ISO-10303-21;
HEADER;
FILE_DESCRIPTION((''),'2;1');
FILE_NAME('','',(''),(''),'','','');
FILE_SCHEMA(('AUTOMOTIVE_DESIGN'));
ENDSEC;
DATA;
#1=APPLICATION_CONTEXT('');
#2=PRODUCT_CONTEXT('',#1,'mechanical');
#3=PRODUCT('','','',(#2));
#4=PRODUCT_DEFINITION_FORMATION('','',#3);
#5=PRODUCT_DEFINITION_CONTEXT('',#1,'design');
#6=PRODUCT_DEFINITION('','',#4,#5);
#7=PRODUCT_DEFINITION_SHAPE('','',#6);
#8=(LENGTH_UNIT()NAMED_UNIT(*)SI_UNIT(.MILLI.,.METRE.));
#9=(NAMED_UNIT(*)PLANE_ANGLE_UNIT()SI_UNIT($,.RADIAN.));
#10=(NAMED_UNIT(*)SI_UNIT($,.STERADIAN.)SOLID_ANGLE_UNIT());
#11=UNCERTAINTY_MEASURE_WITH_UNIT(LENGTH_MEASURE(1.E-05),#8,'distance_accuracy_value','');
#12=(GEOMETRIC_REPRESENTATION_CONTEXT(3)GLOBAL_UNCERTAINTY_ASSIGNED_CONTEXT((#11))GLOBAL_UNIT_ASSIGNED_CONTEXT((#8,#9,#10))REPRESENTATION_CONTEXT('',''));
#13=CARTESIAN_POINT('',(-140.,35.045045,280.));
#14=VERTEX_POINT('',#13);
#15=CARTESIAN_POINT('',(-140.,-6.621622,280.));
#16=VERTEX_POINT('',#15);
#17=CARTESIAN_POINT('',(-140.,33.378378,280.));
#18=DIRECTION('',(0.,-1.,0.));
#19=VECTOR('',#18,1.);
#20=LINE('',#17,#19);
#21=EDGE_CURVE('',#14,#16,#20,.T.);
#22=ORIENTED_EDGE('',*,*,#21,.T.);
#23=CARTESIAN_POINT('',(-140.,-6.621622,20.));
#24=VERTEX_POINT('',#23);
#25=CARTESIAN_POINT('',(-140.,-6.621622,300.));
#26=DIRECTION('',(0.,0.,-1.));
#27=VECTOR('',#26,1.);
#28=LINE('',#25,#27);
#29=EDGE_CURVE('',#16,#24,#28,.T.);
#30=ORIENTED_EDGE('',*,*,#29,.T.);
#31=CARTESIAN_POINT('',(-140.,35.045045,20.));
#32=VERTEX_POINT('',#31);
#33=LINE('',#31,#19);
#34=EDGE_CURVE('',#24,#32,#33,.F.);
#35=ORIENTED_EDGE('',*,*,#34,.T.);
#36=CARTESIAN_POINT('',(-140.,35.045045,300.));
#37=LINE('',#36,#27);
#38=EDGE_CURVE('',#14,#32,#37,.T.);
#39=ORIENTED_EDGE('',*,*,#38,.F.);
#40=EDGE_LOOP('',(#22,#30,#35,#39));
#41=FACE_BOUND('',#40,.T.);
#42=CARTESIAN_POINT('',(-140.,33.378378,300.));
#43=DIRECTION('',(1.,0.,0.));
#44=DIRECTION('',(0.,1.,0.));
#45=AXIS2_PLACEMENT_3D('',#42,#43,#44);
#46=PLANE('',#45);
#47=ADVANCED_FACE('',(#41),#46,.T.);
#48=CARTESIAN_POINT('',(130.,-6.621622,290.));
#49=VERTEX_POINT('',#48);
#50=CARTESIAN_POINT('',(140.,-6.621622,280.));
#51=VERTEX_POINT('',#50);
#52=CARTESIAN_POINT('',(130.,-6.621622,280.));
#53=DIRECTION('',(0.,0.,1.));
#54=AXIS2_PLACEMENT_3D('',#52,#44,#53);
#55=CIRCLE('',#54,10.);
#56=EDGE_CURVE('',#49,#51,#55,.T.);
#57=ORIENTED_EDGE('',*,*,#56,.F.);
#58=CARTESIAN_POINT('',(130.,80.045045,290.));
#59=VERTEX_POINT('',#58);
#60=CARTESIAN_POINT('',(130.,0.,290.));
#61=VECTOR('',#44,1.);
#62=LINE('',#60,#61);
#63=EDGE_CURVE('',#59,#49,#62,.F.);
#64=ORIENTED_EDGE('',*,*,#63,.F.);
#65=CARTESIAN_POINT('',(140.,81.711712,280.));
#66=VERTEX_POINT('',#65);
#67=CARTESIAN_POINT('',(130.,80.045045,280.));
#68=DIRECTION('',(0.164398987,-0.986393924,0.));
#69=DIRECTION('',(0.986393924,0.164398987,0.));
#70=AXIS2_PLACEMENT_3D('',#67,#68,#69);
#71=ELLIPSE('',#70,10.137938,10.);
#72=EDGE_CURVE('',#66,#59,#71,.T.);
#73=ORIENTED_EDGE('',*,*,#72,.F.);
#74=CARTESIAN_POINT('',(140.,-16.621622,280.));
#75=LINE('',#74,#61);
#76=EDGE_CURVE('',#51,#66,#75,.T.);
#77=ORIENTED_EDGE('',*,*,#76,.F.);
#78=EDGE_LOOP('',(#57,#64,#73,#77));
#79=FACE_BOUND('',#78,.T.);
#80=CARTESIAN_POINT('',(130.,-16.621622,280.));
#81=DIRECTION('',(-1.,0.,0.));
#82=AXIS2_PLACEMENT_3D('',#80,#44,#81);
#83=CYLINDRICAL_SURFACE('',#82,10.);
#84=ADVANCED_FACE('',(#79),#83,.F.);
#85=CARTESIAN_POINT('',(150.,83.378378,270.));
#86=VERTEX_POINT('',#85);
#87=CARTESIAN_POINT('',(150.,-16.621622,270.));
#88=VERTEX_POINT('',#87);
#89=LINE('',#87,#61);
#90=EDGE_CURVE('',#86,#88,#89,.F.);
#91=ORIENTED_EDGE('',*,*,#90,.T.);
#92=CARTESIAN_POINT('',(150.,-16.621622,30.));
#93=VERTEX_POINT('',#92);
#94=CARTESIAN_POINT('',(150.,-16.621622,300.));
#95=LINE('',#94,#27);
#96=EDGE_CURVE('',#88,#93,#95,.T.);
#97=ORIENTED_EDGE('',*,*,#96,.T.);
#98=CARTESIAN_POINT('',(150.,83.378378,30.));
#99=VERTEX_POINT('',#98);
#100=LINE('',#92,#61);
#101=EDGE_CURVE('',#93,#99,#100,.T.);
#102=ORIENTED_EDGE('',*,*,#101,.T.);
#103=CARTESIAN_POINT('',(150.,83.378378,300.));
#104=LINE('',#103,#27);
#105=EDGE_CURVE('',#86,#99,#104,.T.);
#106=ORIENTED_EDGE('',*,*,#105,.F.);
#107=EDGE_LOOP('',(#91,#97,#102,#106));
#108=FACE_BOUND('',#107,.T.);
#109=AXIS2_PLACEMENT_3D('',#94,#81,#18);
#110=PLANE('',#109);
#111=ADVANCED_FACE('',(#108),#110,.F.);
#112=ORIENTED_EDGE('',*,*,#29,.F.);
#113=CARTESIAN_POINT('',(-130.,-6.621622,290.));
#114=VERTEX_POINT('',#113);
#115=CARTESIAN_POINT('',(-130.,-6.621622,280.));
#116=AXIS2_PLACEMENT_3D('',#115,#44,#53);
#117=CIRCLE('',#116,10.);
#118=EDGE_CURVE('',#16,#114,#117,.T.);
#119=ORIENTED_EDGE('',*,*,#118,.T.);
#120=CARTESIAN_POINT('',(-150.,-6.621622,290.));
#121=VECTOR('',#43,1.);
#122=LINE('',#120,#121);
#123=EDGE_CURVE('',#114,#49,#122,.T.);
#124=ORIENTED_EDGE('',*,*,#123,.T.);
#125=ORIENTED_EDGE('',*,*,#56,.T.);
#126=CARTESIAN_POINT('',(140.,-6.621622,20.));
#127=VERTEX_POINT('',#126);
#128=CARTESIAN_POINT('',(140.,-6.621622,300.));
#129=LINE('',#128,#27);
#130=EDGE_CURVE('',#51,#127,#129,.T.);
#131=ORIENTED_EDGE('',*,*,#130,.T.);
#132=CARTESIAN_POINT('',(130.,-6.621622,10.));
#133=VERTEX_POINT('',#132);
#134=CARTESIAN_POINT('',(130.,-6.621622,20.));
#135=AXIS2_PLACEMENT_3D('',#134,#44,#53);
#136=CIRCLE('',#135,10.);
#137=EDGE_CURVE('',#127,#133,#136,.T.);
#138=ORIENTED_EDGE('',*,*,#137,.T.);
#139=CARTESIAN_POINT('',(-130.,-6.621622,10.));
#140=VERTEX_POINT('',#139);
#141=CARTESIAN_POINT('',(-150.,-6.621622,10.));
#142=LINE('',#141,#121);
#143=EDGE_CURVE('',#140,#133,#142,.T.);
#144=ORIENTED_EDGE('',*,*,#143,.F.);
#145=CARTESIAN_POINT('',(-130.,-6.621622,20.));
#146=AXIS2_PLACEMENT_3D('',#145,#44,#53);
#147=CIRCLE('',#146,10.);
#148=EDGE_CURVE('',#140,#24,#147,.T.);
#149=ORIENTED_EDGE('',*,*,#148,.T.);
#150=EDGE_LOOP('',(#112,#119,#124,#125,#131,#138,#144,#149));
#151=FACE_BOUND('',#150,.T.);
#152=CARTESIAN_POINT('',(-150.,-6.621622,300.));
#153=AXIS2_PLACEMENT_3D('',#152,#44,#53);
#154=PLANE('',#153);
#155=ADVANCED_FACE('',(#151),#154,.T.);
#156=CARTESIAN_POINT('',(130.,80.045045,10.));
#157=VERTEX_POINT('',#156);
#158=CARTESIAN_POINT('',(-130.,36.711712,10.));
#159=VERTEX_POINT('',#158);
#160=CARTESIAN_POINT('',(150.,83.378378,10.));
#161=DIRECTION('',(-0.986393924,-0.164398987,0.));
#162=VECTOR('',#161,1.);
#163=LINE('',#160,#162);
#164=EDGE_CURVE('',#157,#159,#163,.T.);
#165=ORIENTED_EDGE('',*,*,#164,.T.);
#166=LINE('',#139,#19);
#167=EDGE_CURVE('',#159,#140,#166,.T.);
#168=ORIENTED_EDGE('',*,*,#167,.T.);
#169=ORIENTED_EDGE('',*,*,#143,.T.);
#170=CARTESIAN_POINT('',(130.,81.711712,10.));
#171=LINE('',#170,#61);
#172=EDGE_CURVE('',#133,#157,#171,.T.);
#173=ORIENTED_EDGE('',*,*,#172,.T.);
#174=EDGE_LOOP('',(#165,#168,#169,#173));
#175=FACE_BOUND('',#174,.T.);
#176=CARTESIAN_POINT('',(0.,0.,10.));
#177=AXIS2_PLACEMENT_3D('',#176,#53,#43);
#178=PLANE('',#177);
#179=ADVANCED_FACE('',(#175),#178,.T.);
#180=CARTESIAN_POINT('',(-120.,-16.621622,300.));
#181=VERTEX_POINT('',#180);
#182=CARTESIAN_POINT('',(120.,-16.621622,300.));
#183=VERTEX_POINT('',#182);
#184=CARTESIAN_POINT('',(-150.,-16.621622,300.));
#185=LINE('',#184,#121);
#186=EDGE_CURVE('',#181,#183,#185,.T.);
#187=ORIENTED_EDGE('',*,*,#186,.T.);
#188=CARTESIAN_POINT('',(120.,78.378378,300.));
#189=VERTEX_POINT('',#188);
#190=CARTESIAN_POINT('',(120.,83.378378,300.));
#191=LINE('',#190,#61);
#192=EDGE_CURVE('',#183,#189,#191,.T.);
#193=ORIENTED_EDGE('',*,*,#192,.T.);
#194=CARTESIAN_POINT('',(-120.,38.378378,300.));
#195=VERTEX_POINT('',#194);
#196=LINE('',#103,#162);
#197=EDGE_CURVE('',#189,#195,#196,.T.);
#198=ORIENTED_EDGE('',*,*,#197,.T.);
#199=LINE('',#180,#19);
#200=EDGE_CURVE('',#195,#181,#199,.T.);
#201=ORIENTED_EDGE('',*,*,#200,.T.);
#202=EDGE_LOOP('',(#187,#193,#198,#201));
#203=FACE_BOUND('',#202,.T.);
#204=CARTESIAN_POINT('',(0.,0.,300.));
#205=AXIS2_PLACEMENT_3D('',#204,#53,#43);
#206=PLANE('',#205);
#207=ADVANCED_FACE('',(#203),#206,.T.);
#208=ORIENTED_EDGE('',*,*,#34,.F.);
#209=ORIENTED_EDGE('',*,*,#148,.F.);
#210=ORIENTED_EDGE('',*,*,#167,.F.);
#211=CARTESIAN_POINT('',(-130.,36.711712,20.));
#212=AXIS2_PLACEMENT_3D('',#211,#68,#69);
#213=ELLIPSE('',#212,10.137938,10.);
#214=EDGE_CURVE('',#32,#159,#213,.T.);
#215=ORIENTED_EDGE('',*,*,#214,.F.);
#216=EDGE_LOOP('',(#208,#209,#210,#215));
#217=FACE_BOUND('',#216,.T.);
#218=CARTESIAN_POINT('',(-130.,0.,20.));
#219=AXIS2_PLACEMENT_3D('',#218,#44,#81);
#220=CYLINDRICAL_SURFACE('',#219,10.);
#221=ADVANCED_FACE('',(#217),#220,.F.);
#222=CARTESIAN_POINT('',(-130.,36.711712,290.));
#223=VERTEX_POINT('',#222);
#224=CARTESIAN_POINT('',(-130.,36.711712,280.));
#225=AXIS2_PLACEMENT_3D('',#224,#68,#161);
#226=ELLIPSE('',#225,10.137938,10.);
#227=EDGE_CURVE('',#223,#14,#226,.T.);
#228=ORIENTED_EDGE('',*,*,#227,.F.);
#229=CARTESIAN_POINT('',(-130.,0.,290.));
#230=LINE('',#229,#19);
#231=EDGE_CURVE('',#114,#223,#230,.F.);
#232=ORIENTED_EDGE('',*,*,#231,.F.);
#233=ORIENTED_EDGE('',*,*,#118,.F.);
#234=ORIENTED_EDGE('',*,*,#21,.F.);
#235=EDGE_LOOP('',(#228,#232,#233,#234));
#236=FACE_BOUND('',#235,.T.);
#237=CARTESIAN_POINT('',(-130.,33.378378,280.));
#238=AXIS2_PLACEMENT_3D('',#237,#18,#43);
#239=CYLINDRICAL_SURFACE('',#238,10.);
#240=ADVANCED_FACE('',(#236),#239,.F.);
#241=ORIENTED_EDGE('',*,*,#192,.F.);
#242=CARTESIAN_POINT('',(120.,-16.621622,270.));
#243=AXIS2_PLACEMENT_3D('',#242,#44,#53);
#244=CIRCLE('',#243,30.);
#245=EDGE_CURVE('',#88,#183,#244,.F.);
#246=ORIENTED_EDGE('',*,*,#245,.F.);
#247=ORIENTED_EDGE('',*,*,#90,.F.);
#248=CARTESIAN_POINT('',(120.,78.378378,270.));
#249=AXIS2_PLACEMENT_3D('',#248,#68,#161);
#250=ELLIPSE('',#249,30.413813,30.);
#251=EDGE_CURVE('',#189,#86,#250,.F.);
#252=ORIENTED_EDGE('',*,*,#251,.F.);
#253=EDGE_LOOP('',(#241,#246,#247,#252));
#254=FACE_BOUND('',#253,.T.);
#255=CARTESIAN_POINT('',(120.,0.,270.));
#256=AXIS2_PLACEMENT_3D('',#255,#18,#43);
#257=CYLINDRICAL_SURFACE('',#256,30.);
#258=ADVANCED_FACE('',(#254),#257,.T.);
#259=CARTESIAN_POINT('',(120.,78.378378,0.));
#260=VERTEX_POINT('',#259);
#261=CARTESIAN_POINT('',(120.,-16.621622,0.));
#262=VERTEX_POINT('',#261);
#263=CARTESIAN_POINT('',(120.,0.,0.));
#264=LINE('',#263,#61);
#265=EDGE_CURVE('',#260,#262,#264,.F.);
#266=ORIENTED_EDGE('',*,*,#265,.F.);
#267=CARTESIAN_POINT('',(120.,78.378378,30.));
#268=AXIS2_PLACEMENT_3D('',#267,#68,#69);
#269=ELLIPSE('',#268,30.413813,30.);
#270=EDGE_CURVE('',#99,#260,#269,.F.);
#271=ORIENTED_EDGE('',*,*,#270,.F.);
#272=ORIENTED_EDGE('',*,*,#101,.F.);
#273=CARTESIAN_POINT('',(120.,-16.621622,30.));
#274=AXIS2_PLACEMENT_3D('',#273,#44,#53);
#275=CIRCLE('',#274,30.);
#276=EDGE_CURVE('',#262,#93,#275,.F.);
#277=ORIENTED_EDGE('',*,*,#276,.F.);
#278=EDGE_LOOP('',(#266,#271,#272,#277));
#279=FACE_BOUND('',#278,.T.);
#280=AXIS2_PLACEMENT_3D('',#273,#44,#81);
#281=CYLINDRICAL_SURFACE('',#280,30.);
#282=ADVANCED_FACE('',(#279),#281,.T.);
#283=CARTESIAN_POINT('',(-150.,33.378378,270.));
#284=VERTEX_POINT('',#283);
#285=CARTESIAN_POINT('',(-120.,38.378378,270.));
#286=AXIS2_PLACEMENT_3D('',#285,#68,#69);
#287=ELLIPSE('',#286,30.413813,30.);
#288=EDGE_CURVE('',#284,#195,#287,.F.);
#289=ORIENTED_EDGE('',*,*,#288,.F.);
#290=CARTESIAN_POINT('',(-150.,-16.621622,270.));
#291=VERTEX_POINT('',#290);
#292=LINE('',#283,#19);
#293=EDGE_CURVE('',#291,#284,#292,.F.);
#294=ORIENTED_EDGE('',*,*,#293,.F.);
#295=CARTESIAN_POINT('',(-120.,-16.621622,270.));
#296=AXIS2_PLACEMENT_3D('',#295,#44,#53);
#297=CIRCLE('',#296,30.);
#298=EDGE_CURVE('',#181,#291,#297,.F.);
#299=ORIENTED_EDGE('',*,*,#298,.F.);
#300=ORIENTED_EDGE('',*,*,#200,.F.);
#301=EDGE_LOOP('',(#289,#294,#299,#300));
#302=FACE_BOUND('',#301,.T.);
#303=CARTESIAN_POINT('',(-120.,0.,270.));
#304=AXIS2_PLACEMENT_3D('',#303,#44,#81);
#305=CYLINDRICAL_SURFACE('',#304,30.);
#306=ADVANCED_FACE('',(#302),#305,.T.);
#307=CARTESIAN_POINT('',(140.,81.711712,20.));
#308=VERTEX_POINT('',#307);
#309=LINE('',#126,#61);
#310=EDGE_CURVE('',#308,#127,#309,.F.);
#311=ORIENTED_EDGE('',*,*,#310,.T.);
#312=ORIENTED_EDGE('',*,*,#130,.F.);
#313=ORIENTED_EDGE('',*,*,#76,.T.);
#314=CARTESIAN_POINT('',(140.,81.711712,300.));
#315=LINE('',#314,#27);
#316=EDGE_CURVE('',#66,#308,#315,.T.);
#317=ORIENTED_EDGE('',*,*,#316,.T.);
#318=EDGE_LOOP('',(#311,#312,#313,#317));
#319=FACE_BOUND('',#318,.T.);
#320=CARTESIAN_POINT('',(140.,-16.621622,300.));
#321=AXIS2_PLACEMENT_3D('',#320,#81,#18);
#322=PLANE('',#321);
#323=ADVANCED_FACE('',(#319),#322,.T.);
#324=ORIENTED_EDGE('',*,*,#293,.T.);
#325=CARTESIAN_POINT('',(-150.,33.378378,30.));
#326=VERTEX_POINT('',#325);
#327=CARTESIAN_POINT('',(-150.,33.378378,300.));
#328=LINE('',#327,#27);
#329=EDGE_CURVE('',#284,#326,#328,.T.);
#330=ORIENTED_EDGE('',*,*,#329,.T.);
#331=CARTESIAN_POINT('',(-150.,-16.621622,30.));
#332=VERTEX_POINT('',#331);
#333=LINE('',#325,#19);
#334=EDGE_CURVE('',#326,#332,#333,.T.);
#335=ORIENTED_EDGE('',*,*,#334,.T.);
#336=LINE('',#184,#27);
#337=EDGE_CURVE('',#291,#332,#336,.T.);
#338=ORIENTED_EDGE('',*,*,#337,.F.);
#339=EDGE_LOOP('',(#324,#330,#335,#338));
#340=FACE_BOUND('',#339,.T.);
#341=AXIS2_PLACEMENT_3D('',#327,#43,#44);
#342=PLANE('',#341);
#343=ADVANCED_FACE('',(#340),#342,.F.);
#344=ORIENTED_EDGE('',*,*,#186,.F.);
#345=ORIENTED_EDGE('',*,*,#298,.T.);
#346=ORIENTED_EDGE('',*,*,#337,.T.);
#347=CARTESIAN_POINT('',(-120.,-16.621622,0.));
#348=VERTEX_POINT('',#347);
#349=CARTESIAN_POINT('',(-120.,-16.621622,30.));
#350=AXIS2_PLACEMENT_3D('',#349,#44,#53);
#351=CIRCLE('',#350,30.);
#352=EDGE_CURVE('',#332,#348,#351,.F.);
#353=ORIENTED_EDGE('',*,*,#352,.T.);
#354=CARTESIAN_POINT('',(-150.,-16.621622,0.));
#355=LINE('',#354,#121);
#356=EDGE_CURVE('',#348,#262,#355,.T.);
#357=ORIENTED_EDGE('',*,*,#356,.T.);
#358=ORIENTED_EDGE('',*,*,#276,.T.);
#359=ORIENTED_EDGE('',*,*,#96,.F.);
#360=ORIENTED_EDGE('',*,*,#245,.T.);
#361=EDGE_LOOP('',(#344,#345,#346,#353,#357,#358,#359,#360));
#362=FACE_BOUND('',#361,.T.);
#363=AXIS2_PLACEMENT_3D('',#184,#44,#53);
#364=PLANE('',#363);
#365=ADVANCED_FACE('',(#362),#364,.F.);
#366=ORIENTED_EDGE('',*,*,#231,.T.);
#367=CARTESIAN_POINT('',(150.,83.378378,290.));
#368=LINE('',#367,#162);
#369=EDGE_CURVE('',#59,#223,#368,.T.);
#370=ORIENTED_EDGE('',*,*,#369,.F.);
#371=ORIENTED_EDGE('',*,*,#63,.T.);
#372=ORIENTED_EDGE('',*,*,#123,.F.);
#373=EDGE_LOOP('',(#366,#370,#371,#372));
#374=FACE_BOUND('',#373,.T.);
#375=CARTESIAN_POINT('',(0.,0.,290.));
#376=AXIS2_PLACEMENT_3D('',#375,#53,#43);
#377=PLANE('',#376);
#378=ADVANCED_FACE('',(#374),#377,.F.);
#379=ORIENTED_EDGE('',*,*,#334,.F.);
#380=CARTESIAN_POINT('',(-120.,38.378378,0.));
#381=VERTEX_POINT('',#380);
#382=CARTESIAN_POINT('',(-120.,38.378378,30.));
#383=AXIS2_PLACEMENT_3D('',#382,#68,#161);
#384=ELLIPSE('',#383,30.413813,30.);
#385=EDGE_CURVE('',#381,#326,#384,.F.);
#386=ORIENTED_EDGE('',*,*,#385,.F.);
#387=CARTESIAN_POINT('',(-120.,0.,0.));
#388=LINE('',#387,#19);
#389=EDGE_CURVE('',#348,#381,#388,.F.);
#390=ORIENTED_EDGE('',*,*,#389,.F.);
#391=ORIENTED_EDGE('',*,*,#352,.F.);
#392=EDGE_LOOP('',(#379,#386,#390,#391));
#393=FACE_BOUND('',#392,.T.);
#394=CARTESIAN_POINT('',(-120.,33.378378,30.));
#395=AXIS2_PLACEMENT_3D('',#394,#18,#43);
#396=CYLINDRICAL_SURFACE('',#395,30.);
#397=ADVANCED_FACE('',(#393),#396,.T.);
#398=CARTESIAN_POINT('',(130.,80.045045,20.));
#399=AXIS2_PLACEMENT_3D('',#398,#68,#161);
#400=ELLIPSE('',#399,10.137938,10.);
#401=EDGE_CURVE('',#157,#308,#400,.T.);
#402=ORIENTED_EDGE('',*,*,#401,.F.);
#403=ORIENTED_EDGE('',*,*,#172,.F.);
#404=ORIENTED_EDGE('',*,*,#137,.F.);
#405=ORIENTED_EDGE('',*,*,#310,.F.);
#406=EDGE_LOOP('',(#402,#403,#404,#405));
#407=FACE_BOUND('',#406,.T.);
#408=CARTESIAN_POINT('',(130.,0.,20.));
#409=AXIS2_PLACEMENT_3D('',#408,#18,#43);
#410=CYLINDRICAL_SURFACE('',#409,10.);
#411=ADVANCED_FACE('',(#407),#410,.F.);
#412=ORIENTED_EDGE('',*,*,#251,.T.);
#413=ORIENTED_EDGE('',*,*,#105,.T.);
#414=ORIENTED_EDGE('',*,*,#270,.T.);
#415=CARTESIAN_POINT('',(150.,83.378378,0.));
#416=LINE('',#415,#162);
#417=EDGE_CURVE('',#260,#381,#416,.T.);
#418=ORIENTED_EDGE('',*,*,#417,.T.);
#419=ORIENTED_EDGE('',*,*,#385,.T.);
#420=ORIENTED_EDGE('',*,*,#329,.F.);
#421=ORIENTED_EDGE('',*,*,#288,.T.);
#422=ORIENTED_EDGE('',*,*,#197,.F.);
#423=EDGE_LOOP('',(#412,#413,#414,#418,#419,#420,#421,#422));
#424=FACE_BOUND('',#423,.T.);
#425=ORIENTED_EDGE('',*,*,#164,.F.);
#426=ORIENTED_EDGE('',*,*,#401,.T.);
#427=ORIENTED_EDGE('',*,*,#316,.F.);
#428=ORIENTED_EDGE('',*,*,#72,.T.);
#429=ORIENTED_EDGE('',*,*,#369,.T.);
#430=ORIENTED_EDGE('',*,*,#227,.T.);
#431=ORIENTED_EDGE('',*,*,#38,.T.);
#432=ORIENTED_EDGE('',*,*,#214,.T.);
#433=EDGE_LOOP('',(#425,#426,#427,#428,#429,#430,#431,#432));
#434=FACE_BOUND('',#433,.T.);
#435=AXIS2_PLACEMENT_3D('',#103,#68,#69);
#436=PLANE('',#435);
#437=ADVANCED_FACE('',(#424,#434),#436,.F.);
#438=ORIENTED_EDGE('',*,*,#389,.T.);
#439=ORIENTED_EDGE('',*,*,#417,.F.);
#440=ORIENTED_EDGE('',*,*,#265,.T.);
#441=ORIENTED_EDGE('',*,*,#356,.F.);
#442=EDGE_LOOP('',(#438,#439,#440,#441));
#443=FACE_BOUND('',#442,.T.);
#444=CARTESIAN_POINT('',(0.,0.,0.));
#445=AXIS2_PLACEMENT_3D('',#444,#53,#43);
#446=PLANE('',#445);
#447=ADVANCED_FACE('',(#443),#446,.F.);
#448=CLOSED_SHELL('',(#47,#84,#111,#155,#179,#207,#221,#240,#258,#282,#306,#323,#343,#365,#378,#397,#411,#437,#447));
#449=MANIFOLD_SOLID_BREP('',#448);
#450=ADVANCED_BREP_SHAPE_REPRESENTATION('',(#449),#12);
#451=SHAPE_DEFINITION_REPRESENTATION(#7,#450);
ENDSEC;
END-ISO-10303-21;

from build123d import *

# Parameters (mm, degrees)
BOSS_EXTRUDE1_DEPTH = 300
SHELL1_T            = -10
FILLET1_R           = 30
FILLET2_R           = 10


with BuildPart() as part:
    # Sketch1 → Boss-Extrude1 (new body)
    with BuildSketch(Plane.XY):
        Polygon((-150, -16.621621622), (150, -16.621621622), (150, 83.378378378), (-150, 33.378378378), align=None)
    extrude(amount=BOSS_EXTRUDE1_DEPTH)

    # Shell1
    shell1_openings = [part.faces().sort_by_distance(p)[0] for p in [
        (0, 58.378378378, 150),
    ]]
    offset(amount=SHELL1_T, openings=shell1_openings, kind=Kind.INTERSECTION)

    # Fillet1
    fillet1_edges = [part.edges().sort_by_distance(p)[0] for p in [
        (150, 33.378378378, 300),
        (-150, 8.378378378, 300),
        (150, 33.378378378, 0),
        (-150, 8.378378378, 0),
    ]]
    fillet(fillet1_edges, radius=FILLET1_R)

    # Fillet2
    fillet2_edges = [part.edges().sort_by_distance(p)[0] for p in [
        (-140, 14.211711712, 10),
        (140, 37.545045045, 10),
        (-140, 14.211711712, 290),
        (140, 37.545045045, 290),
    ]]
    fillet(fillet2_edges, radius=FILLET2_R)


solid = part.part
